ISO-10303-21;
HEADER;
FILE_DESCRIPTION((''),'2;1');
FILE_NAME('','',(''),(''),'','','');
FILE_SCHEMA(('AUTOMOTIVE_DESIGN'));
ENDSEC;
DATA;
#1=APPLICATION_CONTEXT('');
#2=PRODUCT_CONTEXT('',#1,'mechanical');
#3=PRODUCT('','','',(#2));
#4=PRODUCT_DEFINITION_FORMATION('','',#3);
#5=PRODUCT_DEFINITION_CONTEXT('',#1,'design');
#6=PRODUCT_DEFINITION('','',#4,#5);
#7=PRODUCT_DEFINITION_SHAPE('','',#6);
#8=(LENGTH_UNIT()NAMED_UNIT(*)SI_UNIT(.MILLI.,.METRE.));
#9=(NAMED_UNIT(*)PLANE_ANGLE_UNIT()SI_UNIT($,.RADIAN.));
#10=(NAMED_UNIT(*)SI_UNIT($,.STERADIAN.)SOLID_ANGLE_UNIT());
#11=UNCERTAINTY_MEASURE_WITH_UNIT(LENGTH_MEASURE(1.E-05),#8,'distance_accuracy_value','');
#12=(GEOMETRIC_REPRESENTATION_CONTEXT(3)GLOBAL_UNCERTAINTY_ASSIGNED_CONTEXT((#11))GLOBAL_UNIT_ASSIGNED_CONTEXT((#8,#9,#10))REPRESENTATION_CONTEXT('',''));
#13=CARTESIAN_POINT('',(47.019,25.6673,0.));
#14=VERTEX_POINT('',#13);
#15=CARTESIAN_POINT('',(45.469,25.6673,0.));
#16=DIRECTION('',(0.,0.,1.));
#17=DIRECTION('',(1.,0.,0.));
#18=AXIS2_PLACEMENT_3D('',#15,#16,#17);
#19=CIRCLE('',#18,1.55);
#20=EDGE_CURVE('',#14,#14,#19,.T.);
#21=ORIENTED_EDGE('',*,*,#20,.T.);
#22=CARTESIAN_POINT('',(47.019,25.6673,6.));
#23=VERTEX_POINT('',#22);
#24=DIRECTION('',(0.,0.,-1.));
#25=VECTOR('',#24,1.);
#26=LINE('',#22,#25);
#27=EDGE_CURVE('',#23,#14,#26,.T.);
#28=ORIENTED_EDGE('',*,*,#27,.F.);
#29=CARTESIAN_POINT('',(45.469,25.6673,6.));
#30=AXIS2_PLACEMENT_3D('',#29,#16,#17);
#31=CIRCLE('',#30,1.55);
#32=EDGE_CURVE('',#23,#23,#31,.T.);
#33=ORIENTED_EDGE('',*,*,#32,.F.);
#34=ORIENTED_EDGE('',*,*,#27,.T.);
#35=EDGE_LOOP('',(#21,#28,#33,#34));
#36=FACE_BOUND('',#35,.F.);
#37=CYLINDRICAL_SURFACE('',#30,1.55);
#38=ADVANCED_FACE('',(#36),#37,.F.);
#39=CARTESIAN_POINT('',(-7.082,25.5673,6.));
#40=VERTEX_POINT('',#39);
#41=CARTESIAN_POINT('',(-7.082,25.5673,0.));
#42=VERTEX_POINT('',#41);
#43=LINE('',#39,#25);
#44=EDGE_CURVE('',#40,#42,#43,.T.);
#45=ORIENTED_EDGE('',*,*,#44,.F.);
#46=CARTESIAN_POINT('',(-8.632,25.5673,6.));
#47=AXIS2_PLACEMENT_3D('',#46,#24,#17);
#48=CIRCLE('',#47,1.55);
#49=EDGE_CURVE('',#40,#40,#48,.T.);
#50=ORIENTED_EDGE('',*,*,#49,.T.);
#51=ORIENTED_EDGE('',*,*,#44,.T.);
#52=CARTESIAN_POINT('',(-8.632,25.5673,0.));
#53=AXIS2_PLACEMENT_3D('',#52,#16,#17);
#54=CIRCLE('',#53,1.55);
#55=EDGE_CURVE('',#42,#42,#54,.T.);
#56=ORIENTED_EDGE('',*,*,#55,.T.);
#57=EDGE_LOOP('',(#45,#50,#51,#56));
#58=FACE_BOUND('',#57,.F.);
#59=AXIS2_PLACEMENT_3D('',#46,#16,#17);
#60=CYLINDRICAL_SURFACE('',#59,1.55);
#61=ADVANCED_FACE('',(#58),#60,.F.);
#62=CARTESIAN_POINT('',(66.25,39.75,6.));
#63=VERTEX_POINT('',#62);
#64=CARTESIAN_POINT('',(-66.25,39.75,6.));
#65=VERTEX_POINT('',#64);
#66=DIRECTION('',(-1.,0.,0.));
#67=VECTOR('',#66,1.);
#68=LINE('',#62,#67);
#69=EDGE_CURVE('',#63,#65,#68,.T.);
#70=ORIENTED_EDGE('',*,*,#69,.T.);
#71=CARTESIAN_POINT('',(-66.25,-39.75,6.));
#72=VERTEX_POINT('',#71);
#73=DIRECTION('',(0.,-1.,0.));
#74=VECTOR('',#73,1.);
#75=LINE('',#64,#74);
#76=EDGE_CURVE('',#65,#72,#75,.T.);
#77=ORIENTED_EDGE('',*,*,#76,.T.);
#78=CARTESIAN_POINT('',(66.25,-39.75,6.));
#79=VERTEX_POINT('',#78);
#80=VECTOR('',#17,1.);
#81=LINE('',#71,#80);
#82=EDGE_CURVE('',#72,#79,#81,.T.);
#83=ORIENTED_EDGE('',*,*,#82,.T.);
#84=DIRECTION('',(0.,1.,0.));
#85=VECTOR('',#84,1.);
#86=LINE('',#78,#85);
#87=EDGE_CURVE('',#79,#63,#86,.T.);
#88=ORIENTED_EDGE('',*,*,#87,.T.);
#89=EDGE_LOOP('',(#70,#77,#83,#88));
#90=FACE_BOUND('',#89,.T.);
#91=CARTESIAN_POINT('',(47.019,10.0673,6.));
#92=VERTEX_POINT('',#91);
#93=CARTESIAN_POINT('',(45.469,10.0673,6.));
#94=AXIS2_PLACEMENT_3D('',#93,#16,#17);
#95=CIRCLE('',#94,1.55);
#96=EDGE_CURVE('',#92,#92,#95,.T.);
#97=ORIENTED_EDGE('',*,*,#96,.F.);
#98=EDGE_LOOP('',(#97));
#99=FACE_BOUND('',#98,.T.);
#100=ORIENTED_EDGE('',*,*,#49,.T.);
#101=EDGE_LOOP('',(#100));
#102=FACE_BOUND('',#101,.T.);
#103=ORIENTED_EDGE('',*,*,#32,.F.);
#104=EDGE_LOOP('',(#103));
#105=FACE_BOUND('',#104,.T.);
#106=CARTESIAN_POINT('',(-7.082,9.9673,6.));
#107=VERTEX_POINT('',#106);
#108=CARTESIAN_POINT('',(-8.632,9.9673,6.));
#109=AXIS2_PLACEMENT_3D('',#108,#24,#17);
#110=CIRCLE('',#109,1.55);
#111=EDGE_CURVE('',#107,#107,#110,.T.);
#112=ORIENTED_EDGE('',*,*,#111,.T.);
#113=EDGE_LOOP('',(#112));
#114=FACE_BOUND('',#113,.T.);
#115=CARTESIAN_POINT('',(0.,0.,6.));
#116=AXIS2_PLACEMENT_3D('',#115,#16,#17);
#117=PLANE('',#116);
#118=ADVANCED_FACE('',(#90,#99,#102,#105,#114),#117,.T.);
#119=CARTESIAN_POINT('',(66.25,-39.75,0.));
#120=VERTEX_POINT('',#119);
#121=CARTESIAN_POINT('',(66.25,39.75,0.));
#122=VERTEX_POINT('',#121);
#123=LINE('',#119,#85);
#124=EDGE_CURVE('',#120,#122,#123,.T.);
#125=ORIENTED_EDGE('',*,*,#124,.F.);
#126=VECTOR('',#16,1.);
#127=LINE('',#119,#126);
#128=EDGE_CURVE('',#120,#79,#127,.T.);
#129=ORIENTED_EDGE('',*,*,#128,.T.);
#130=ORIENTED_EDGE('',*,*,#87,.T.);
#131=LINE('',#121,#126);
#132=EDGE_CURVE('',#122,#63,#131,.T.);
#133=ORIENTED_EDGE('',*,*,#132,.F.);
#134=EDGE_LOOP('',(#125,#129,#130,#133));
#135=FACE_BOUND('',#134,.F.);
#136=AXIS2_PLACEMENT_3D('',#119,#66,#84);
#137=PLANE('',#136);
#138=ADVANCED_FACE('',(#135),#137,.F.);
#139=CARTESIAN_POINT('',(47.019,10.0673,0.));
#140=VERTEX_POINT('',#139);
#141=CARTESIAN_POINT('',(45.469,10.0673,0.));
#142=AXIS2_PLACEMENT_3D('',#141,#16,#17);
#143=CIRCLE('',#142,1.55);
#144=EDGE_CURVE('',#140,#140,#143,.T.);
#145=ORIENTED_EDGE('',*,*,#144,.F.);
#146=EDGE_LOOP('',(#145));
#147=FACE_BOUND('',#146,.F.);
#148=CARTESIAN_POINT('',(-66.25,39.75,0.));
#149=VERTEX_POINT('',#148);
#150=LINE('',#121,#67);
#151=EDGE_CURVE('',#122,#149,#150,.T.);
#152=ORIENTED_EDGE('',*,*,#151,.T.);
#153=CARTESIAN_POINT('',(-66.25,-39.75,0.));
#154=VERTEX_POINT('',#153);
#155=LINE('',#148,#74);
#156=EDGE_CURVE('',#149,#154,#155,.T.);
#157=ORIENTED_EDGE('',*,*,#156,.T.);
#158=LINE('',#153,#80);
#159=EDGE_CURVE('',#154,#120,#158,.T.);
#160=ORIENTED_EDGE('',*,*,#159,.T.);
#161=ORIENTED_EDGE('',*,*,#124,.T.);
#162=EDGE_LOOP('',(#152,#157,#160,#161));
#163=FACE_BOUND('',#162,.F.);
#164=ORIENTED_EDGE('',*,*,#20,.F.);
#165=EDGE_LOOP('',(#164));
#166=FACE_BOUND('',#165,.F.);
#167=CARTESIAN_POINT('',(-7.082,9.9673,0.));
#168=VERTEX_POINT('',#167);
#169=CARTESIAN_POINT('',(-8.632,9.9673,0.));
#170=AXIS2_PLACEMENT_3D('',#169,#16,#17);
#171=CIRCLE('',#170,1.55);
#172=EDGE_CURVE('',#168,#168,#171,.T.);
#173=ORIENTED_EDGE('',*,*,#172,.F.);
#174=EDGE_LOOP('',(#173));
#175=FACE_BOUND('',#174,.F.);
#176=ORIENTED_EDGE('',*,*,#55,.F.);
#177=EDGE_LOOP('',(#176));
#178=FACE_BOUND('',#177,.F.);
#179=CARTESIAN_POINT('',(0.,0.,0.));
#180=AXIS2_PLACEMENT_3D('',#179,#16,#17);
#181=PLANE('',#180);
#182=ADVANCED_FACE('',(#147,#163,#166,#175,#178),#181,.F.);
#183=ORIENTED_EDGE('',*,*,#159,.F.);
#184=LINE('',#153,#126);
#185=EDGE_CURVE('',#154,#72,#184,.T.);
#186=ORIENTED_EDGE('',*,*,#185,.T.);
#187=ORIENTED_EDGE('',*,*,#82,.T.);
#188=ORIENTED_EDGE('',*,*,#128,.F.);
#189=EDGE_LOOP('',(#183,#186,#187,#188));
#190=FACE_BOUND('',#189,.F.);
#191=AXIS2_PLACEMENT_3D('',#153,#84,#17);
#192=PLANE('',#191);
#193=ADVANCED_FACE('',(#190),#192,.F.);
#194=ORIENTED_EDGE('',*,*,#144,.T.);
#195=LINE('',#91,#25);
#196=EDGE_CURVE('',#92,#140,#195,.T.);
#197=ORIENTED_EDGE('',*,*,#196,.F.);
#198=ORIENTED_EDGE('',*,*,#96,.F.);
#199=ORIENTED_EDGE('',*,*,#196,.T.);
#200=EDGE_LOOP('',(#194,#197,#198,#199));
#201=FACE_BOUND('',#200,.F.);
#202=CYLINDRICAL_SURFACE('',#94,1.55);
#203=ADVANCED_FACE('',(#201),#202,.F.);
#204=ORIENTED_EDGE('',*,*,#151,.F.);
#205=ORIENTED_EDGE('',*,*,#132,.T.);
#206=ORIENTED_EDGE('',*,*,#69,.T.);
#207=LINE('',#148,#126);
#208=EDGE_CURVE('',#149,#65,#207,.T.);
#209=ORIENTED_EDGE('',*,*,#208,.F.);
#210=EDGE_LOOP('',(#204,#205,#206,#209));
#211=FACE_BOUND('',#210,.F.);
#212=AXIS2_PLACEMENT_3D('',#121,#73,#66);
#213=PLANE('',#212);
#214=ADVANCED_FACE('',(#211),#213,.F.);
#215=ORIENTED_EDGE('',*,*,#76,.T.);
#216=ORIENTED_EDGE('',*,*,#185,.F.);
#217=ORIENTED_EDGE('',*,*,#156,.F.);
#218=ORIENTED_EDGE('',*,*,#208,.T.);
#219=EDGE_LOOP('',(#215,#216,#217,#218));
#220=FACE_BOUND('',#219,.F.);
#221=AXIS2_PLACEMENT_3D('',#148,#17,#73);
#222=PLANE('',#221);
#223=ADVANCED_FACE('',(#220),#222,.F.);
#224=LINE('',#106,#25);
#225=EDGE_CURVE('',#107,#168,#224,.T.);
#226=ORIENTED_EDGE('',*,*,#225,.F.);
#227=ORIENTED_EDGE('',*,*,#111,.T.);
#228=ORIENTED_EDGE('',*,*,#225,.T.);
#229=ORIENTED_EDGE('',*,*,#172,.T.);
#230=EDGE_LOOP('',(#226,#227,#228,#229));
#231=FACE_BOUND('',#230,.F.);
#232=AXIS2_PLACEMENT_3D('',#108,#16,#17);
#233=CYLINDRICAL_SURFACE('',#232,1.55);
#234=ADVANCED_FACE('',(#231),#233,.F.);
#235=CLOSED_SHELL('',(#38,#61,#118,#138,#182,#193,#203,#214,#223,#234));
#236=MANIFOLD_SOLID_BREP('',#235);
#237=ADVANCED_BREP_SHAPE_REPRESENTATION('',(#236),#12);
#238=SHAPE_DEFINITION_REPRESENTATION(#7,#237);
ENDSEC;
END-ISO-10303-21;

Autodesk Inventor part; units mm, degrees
ref_plane "YZ Plane" through (0, 0, 0) normal (1, 0, 0) x (0, 1, 0)
ref_plane "XZ Plane" through (0, 0, 0) normal (0, 1, 0) x (-1, 0, 0)
ref_plane "XY Plane" through (0, 0, 0) normal (0, 0, 1) x (1, 0, 0)
ref_plane "작업 평면1" through (0, 0, 0) normal (0, 0, 1) x (1, 0, 0)
sketch "스케치1" plane through (0, 0, 0) normal (0, 0, 1) x (1, 0, 0)
  line L0 (66.25, -39.75) -> (66.25, 39.75) projected
  line L1 (66.25, 39.75) -> (-66.25, 39.75) projected
  line L2 (-66.25, 39.75) -> (-66.25, -39.75) projected
  line L3 (-66.25, -39.75) -> (66.25, -39.75) projected
  point P0 (0, 0)
extrude "돌출1" add sketch "스케치1" along normal blind 6
sketch "스케치2" plane through (0, 0, 6) normal (0, 0, 1) x (1, 0, 0)
  line L0 (-5.632, 3.9673) -> (-5.632, 31.5673) projected
  line L1 (-11.632, 3.9673) -> (-11.632, 31.5673) projected
  line L2 (-11.632, 31.5673) -> (-5.632, 31.5673) projected
  line L3 (-5.632, 3.9673) -> (-5.632, 31.5673) projected
  line L4 (-11.632, 3.9673) -> (-5.632, 3.9673) projected
  line L5 (42.469, 4.0673) -> (42.469, 31.6673) projected
  line L6 (42.469, 4.0673) -> (48.469, 4.0673) projected
  line L7 (48.469, 4.0673) -> (48.469, 31.6673) projected
  line L8 (42.469, 31.6673) -> (48.469, 31.6673) projected
  line L9 (-8.632, 31.5673) -> (-8.632, 25.5673)
  circle A0 centre (-8.632, 25.5673) radius 1.55
  line L10 (-8.632, 3.9673) -> (-8.632, 9.9673)
  circle A1 centre (-8.632, 9.9673) radius 1.55
  circle A2 centre (45.469, 10.0673) radius 1.55
  circle A3 centre (45.469, 25.6673) radius 1.55
  point P0 (0, 0)
  dimension "d2" = 6
  dimension "d3" = 3.1
  dimension "d4" = 6
  dimension "d5" = 3.1
  dimension "d6" = 3.1
  dimension "d7" = 3.1
  dimension "d8" = 6
  dimension "d9" = 6
extrude "돌출2" cut sketch "스케치2" against normal blind 6 contours A0 | A1 | A2 | A3
properties part number "21" material "아크릴, 선명"
